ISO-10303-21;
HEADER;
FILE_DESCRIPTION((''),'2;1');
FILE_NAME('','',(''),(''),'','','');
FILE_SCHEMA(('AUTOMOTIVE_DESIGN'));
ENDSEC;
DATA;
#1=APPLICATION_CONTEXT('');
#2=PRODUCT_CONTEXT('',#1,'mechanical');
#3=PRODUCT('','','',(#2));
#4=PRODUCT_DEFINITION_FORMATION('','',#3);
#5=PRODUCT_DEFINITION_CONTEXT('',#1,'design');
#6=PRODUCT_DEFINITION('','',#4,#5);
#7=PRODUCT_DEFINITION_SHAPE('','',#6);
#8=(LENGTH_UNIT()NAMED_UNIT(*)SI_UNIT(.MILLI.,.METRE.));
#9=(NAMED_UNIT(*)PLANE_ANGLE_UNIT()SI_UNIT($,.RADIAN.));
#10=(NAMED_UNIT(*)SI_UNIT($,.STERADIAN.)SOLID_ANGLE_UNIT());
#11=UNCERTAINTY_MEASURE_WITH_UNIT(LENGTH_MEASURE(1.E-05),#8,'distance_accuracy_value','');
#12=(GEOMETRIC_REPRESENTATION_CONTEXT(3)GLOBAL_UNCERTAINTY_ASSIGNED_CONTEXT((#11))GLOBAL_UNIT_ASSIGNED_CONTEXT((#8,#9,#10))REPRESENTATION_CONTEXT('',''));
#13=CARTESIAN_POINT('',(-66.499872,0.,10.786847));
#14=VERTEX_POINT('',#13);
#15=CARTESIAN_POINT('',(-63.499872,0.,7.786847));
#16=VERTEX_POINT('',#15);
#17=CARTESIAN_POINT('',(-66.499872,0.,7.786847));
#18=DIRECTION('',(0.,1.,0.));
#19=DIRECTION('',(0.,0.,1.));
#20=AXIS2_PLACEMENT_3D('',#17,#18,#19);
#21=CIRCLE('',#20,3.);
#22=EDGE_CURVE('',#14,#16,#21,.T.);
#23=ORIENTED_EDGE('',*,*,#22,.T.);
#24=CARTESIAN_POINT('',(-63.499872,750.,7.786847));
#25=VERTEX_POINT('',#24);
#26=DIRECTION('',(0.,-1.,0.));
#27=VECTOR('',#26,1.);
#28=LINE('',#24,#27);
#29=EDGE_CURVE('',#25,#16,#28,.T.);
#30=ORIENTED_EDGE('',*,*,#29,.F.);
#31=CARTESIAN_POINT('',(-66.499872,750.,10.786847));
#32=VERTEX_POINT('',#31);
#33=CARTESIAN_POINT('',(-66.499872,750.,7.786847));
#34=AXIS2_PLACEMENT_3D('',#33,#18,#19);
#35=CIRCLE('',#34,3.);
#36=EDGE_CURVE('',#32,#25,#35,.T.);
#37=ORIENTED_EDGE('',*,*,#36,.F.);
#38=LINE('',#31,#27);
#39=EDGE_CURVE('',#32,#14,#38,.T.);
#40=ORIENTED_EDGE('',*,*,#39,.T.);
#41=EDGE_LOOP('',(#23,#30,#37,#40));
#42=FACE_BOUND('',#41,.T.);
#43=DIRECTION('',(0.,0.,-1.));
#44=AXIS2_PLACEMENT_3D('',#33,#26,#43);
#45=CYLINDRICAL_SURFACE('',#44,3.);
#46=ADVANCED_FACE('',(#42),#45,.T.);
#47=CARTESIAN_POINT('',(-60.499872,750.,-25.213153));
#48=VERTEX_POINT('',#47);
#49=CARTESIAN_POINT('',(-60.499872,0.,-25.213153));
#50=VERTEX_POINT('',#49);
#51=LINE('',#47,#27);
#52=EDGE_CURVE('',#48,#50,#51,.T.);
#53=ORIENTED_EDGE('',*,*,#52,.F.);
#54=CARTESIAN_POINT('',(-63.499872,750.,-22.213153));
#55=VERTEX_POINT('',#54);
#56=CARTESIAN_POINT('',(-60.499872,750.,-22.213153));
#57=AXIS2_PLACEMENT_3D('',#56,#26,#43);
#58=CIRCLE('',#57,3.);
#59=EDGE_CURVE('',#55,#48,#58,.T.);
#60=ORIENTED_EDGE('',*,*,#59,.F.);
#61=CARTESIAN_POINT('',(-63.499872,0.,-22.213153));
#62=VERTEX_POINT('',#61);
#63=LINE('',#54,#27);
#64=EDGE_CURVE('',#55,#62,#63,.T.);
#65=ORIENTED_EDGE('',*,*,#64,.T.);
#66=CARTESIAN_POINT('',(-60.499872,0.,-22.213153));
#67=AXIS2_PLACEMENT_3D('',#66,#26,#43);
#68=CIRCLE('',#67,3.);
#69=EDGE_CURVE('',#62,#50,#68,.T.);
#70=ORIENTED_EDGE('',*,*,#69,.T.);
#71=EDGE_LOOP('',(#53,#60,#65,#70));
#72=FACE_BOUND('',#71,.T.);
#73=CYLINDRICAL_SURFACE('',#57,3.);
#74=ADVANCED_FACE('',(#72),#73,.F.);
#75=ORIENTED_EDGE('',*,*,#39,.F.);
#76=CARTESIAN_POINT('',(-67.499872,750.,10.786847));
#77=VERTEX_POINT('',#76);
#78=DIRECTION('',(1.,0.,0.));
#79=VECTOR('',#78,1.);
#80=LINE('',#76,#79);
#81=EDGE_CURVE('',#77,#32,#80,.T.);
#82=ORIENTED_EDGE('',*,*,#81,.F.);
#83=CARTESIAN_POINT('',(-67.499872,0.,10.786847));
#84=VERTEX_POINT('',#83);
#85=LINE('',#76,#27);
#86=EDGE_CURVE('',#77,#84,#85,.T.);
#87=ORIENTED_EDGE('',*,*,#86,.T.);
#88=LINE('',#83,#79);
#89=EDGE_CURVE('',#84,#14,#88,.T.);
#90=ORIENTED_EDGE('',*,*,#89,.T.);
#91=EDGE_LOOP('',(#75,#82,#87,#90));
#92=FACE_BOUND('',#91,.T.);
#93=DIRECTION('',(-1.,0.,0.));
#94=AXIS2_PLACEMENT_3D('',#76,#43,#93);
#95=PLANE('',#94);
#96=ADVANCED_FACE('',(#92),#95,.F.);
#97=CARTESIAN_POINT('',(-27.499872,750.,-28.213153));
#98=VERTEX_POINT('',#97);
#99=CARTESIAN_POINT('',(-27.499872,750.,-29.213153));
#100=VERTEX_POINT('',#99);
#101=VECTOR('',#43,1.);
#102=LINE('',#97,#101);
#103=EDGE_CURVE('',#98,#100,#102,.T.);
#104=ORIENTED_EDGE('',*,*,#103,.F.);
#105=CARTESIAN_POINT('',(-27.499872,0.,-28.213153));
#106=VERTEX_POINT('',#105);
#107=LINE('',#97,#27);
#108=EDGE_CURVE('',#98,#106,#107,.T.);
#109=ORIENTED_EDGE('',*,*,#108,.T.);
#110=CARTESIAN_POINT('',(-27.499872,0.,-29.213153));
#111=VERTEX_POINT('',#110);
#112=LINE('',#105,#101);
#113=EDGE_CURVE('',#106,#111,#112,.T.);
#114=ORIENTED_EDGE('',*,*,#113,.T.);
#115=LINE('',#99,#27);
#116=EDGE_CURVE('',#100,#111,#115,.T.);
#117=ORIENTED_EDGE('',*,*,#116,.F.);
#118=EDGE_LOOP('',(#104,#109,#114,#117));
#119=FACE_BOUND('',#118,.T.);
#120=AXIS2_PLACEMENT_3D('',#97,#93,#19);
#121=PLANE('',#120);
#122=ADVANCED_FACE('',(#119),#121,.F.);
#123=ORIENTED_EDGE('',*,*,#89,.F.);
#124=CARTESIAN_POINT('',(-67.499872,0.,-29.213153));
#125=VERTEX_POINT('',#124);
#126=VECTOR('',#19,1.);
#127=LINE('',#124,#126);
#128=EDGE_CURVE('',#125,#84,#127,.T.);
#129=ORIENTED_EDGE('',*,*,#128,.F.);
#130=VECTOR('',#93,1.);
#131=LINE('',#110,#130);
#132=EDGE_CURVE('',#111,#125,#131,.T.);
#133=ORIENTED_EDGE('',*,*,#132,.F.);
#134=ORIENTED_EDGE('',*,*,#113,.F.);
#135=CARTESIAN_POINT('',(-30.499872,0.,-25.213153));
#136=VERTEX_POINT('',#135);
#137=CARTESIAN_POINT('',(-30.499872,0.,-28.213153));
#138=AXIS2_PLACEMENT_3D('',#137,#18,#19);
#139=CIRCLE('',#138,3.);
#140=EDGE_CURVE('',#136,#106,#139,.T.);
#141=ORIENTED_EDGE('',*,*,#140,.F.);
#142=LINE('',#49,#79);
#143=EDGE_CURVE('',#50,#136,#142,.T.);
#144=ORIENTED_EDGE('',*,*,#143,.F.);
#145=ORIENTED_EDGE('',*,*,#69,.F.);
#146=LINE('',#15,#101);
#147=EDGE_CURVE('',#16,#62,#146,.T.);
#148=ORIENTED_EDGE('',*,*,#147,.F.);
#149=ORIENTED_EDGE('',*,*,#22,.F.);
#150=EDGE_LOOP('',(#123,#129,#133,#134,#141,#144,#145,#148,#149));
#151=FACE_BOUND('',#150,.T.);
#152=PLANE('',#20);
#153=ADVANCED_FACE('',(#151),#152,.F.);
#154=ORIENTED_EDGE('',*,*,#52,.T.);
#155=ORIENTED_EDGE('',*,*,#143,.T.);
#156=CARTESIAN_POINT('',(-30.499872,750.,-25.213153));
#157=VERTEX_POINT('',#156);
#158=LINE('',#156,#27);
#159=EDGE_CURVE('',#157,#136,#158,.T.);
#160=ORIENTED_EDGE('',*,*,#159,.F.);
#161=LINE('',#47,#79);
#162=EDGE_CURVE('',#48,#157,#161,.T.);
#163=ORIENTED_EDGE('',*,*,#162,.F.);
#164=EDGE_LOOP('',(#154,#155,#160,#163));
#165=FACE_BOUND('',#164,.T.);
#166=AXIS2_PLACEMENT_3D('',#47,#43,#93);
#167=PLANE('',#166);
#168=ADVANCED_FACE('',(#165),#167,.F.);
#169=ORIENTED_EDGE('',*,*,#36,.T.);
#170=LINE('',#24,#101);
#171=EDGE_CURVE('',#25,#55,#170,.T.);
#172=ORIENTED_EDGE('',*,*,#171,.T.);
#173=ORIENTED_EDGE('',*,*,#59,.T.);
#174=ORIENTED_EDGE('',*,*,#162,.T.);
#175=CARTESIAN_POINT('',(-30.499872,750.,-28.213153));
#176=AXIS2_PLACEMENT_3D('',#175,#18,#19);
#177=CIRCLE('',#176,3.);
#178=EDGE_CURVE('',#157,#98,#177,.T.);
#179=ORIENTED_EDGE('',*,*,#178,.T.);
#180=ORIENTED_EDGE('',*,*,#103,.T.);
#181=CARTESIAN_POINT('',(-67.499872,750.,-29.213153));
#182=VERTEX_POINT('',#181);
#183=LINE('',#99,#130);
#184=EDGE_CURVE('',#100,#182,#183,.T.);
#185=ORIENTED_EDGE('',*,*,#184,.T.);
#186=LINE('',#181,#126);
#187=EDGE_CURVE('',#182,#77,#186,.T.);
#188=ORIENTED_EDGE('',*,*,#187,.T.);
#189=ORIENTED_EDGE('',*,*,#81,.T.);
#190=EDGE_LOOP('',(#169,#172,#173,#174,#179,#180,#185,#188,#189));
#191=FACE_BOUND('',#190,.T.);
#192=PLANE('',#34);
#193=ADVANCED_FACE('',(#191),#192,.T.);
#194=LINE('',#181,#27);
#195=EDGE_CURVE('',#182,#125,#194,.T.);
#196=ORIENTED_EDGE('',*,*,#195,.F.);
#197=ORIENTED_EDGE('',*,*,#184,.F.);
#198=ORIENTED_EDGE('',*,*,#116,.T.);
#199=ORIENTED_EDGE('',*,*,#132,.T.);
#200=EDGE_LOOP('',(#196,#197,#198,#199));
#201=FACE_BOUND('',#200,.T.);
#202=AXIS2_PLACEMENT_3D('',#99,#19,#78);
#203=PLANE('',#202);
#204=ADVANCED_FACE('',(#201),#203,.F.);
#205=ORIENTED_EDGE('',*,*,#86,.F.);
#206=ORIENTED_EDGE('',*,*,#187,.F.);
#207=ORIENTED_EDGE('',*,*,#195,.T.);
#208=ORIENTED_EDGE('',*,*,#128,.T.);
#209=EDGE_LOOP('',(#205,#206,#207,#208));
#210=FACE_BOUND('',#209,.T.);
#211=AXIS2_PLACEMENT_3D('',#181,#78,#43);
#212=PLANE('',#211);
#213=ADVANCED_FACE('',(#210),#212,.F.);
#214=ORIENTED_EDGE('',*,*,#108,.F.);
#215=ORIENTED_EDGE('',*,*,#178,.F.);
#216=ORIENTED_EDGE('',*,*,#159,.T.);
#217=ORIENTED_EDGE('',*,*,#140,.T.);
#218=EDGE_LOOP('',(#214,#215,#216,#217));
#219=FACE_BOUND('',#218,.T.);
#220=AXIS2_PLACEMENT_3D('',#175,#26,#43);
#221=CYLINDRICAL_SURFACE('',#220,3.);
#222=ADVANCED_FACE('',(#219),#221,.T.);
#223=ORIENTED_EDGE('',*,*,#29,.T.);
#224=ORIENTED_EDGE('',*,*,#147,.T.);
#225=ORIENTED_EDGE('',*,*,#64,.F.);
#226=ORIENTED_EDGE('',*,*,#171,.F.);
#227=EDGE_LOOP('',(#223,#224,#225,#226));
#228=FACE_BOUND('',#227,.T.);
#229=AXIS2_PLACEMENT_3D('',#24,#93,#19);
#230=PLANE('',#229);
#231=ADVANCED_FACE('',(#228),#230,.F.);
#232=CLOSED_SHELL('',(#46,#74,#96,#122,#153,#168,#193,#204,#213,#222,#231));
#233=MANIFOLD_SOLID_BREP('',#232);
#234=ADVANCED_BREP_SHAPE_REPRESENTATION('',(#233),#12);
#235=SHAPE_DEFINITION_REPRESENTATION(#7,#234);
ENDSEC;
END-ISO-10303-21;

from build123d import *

# Parameters (mm, degrees)
BOSS_EXTRUDE1_DEPTH = 750


with BuildPart() as part:
    # Sketch1 → Boss-Extrude1 (new body)
    with BuildSketch(Plane(origin=(0, 0, 0), x_dir=(1, 0, 0), z_dir=(0, 1, 0))):
        with BuildLine():
            Line((-27.499872145, 29.213153277), (-67.499872145, 29.213153277))
            Line((-67.499872145, 29.213153277), (-67.499872145, -10.786846723))
            Line((-67.499872145, -10.786846723), (-66.499872145, -10.786846723))
            ThreePointArc((-66.499872145, -10.786846723), (-64.378551801, -9.908167067), (-63.499872145, -7.786846723))
            Line((-63.499872145, -7.786846723), (-63.499872145, 22.213153277))
            ThreePointArc((-63.499872145, 22.213153277), (-62.621192489, 24.334473621), (-60.499872145, 25.213153277))
            Line((-60.499872145, 25.213153277), (-30.499872145, 25.213153277))
            ThreePointArc((-30.499872145, 25.213153277), (-28.378551801, 26.091832933), (-27.499872145, 28.213153277))
            Line((-27.499872145, 28.213153277), (-27.499872145, 29.213153277))
        make_face()
    extrude(amount=BOSS_EXTRUDE1_DEPTH)


solid = part.part
